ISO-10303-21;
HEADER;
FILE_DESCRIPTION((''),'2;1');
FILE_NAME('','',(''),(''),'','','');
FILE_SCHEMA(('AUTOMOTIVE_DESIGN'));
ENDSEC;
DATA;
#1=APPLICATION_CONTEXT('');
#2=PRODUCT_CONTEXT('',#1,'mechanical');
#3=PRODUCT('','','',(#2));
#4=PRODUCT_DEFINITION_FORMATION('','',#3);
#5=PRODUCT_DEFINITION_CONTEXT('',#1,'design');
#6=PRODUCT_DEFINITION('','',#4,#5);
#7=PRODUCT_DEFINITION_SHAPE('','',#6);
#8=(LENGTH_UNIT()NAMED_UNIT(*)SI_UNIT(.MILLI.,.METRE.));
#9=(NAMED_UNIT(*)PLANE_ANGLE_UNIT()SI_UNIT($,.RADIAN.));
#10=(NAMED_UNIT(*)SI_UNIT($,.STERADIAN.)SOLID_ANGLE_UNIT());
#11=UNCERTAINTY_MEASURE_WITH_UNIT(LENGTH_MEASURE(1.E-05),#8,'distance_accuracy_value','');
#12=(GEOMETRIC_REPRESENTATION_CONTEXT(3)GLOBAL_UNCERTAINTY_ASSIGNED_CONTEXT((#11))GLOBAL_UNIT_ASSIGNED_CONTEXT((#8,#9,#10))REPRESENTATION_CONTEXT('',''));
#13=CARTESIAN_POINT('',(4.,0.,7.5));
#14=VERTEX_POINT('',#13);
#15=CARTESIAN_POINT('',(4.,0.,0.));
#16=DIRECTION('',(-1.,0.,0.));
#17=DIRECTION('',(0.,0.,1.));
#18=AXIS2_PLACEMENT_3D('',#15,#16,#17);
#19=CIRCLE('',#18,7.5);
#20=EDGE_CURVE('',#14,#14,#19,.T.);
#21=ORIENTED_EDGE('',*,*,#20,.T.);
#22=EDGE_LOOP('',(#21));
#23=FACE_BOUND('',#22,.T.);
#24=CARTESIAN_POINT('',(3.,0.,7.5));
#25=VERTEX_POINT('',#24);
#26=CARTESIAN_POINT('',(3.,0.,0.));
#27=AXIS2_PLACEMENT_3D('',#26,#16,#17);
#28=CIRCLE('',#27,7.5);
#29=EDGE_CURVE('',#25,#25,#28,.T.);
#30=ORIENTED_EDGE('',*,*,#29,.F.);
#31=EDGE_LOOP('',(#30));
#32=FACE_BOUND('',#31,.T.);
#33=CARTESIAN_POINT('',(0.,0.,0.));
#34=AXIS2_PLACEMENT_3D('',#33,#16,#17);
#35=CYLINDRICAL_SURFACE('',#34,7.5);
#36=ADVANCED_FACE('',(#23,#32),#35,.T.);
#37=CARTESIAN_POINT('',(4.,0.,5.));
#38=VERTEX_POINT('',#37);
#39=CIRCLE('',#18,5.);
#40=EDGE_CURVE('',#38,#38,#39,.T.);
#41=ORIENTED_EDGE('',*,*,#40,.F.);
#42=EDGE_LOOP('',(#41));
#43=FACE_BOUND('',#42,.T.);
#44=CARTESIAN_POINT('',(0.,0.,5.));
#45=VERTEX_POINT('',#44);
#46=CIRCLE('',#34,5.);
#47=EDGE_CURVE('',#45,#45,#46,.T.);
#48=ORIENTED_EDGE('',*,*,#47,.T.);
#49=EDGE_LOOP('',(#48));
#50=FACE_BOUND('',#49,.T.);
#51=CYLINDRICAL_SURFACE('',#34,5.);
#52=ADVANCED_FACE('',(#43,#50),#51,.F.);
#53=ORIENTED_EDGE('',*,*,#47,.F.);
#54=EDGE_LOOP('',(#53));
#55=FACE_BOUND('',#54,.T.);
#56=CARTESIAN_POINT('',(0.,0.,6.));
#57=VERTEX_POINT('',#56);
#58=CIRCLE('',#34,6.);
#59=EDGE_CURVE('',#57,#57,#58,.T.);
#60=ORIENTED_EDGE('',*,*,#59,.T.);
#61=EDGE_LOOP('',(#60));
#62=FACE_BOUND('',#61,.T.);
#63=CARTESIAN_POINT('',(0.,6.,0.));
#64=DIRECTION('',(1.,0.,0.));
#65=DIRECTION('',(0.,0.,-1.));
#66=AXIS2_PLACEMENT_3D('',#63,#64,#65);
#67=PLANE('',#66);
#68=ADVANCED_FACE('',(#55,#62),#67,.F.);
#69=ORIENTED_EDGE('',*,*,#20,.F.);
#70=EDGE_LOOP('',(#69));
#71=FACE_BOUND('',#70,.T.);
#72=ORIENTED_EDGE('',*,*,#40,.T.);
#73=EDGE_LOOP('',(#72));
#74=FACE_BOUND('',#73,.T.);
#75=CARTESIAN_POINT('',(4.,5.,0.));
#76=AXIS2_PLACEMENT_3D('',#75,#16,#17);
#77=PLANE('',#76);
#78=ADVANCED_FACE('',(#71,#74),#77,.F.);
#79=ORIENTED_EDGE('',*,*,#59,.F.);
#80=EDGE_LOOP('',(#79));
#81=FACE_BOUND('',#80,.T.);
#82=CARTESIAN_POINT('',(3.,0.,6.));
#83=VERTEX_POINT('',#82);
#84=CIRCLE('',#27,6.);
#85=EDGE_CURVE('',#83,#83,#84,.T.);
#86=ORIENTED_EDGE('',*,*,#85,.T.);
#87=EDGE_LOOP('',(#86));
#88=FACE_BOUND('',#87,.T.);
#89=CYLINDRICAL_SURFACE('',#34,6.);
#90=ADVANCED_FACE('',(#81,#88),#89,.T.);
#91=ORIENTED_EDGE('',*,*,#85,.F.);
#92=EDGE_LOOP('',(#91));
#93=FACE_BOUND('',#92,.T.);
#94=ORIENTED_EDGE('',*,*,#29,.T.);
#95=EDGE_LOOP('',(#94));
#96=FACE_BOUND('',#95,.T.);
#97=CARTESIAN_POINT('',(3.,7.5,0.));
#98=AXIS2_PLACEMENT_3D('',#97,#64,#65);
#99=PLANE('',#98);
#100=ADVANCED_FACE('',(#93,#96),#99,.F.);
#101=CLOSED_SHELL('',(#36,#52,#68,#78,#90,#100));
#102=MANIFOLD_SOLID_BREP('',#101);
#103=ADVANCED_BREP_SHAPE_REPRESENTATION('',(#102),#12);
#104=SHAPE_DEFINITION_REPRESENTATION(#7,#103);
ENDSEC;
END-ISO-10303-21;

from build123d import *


with BuildPart() as part:
    # Sketch1 → Revolve1 (revolve)
    with BuildSketch(Plane.XY, mode=Mode.PRIVATE) as revolve1_sk:
        Polygon((0, 5), (4, 5), (4, 7.5), (3, 7.5), (3, 6), (0, 6), align=None)
    revolve(revolve1_sk.sketch.rotate(Axis((0, 0, 0), (1, 0, 0)), 90), axis=Axis((0, 0, 0), (1, 0, 0)))


solid = part.part
